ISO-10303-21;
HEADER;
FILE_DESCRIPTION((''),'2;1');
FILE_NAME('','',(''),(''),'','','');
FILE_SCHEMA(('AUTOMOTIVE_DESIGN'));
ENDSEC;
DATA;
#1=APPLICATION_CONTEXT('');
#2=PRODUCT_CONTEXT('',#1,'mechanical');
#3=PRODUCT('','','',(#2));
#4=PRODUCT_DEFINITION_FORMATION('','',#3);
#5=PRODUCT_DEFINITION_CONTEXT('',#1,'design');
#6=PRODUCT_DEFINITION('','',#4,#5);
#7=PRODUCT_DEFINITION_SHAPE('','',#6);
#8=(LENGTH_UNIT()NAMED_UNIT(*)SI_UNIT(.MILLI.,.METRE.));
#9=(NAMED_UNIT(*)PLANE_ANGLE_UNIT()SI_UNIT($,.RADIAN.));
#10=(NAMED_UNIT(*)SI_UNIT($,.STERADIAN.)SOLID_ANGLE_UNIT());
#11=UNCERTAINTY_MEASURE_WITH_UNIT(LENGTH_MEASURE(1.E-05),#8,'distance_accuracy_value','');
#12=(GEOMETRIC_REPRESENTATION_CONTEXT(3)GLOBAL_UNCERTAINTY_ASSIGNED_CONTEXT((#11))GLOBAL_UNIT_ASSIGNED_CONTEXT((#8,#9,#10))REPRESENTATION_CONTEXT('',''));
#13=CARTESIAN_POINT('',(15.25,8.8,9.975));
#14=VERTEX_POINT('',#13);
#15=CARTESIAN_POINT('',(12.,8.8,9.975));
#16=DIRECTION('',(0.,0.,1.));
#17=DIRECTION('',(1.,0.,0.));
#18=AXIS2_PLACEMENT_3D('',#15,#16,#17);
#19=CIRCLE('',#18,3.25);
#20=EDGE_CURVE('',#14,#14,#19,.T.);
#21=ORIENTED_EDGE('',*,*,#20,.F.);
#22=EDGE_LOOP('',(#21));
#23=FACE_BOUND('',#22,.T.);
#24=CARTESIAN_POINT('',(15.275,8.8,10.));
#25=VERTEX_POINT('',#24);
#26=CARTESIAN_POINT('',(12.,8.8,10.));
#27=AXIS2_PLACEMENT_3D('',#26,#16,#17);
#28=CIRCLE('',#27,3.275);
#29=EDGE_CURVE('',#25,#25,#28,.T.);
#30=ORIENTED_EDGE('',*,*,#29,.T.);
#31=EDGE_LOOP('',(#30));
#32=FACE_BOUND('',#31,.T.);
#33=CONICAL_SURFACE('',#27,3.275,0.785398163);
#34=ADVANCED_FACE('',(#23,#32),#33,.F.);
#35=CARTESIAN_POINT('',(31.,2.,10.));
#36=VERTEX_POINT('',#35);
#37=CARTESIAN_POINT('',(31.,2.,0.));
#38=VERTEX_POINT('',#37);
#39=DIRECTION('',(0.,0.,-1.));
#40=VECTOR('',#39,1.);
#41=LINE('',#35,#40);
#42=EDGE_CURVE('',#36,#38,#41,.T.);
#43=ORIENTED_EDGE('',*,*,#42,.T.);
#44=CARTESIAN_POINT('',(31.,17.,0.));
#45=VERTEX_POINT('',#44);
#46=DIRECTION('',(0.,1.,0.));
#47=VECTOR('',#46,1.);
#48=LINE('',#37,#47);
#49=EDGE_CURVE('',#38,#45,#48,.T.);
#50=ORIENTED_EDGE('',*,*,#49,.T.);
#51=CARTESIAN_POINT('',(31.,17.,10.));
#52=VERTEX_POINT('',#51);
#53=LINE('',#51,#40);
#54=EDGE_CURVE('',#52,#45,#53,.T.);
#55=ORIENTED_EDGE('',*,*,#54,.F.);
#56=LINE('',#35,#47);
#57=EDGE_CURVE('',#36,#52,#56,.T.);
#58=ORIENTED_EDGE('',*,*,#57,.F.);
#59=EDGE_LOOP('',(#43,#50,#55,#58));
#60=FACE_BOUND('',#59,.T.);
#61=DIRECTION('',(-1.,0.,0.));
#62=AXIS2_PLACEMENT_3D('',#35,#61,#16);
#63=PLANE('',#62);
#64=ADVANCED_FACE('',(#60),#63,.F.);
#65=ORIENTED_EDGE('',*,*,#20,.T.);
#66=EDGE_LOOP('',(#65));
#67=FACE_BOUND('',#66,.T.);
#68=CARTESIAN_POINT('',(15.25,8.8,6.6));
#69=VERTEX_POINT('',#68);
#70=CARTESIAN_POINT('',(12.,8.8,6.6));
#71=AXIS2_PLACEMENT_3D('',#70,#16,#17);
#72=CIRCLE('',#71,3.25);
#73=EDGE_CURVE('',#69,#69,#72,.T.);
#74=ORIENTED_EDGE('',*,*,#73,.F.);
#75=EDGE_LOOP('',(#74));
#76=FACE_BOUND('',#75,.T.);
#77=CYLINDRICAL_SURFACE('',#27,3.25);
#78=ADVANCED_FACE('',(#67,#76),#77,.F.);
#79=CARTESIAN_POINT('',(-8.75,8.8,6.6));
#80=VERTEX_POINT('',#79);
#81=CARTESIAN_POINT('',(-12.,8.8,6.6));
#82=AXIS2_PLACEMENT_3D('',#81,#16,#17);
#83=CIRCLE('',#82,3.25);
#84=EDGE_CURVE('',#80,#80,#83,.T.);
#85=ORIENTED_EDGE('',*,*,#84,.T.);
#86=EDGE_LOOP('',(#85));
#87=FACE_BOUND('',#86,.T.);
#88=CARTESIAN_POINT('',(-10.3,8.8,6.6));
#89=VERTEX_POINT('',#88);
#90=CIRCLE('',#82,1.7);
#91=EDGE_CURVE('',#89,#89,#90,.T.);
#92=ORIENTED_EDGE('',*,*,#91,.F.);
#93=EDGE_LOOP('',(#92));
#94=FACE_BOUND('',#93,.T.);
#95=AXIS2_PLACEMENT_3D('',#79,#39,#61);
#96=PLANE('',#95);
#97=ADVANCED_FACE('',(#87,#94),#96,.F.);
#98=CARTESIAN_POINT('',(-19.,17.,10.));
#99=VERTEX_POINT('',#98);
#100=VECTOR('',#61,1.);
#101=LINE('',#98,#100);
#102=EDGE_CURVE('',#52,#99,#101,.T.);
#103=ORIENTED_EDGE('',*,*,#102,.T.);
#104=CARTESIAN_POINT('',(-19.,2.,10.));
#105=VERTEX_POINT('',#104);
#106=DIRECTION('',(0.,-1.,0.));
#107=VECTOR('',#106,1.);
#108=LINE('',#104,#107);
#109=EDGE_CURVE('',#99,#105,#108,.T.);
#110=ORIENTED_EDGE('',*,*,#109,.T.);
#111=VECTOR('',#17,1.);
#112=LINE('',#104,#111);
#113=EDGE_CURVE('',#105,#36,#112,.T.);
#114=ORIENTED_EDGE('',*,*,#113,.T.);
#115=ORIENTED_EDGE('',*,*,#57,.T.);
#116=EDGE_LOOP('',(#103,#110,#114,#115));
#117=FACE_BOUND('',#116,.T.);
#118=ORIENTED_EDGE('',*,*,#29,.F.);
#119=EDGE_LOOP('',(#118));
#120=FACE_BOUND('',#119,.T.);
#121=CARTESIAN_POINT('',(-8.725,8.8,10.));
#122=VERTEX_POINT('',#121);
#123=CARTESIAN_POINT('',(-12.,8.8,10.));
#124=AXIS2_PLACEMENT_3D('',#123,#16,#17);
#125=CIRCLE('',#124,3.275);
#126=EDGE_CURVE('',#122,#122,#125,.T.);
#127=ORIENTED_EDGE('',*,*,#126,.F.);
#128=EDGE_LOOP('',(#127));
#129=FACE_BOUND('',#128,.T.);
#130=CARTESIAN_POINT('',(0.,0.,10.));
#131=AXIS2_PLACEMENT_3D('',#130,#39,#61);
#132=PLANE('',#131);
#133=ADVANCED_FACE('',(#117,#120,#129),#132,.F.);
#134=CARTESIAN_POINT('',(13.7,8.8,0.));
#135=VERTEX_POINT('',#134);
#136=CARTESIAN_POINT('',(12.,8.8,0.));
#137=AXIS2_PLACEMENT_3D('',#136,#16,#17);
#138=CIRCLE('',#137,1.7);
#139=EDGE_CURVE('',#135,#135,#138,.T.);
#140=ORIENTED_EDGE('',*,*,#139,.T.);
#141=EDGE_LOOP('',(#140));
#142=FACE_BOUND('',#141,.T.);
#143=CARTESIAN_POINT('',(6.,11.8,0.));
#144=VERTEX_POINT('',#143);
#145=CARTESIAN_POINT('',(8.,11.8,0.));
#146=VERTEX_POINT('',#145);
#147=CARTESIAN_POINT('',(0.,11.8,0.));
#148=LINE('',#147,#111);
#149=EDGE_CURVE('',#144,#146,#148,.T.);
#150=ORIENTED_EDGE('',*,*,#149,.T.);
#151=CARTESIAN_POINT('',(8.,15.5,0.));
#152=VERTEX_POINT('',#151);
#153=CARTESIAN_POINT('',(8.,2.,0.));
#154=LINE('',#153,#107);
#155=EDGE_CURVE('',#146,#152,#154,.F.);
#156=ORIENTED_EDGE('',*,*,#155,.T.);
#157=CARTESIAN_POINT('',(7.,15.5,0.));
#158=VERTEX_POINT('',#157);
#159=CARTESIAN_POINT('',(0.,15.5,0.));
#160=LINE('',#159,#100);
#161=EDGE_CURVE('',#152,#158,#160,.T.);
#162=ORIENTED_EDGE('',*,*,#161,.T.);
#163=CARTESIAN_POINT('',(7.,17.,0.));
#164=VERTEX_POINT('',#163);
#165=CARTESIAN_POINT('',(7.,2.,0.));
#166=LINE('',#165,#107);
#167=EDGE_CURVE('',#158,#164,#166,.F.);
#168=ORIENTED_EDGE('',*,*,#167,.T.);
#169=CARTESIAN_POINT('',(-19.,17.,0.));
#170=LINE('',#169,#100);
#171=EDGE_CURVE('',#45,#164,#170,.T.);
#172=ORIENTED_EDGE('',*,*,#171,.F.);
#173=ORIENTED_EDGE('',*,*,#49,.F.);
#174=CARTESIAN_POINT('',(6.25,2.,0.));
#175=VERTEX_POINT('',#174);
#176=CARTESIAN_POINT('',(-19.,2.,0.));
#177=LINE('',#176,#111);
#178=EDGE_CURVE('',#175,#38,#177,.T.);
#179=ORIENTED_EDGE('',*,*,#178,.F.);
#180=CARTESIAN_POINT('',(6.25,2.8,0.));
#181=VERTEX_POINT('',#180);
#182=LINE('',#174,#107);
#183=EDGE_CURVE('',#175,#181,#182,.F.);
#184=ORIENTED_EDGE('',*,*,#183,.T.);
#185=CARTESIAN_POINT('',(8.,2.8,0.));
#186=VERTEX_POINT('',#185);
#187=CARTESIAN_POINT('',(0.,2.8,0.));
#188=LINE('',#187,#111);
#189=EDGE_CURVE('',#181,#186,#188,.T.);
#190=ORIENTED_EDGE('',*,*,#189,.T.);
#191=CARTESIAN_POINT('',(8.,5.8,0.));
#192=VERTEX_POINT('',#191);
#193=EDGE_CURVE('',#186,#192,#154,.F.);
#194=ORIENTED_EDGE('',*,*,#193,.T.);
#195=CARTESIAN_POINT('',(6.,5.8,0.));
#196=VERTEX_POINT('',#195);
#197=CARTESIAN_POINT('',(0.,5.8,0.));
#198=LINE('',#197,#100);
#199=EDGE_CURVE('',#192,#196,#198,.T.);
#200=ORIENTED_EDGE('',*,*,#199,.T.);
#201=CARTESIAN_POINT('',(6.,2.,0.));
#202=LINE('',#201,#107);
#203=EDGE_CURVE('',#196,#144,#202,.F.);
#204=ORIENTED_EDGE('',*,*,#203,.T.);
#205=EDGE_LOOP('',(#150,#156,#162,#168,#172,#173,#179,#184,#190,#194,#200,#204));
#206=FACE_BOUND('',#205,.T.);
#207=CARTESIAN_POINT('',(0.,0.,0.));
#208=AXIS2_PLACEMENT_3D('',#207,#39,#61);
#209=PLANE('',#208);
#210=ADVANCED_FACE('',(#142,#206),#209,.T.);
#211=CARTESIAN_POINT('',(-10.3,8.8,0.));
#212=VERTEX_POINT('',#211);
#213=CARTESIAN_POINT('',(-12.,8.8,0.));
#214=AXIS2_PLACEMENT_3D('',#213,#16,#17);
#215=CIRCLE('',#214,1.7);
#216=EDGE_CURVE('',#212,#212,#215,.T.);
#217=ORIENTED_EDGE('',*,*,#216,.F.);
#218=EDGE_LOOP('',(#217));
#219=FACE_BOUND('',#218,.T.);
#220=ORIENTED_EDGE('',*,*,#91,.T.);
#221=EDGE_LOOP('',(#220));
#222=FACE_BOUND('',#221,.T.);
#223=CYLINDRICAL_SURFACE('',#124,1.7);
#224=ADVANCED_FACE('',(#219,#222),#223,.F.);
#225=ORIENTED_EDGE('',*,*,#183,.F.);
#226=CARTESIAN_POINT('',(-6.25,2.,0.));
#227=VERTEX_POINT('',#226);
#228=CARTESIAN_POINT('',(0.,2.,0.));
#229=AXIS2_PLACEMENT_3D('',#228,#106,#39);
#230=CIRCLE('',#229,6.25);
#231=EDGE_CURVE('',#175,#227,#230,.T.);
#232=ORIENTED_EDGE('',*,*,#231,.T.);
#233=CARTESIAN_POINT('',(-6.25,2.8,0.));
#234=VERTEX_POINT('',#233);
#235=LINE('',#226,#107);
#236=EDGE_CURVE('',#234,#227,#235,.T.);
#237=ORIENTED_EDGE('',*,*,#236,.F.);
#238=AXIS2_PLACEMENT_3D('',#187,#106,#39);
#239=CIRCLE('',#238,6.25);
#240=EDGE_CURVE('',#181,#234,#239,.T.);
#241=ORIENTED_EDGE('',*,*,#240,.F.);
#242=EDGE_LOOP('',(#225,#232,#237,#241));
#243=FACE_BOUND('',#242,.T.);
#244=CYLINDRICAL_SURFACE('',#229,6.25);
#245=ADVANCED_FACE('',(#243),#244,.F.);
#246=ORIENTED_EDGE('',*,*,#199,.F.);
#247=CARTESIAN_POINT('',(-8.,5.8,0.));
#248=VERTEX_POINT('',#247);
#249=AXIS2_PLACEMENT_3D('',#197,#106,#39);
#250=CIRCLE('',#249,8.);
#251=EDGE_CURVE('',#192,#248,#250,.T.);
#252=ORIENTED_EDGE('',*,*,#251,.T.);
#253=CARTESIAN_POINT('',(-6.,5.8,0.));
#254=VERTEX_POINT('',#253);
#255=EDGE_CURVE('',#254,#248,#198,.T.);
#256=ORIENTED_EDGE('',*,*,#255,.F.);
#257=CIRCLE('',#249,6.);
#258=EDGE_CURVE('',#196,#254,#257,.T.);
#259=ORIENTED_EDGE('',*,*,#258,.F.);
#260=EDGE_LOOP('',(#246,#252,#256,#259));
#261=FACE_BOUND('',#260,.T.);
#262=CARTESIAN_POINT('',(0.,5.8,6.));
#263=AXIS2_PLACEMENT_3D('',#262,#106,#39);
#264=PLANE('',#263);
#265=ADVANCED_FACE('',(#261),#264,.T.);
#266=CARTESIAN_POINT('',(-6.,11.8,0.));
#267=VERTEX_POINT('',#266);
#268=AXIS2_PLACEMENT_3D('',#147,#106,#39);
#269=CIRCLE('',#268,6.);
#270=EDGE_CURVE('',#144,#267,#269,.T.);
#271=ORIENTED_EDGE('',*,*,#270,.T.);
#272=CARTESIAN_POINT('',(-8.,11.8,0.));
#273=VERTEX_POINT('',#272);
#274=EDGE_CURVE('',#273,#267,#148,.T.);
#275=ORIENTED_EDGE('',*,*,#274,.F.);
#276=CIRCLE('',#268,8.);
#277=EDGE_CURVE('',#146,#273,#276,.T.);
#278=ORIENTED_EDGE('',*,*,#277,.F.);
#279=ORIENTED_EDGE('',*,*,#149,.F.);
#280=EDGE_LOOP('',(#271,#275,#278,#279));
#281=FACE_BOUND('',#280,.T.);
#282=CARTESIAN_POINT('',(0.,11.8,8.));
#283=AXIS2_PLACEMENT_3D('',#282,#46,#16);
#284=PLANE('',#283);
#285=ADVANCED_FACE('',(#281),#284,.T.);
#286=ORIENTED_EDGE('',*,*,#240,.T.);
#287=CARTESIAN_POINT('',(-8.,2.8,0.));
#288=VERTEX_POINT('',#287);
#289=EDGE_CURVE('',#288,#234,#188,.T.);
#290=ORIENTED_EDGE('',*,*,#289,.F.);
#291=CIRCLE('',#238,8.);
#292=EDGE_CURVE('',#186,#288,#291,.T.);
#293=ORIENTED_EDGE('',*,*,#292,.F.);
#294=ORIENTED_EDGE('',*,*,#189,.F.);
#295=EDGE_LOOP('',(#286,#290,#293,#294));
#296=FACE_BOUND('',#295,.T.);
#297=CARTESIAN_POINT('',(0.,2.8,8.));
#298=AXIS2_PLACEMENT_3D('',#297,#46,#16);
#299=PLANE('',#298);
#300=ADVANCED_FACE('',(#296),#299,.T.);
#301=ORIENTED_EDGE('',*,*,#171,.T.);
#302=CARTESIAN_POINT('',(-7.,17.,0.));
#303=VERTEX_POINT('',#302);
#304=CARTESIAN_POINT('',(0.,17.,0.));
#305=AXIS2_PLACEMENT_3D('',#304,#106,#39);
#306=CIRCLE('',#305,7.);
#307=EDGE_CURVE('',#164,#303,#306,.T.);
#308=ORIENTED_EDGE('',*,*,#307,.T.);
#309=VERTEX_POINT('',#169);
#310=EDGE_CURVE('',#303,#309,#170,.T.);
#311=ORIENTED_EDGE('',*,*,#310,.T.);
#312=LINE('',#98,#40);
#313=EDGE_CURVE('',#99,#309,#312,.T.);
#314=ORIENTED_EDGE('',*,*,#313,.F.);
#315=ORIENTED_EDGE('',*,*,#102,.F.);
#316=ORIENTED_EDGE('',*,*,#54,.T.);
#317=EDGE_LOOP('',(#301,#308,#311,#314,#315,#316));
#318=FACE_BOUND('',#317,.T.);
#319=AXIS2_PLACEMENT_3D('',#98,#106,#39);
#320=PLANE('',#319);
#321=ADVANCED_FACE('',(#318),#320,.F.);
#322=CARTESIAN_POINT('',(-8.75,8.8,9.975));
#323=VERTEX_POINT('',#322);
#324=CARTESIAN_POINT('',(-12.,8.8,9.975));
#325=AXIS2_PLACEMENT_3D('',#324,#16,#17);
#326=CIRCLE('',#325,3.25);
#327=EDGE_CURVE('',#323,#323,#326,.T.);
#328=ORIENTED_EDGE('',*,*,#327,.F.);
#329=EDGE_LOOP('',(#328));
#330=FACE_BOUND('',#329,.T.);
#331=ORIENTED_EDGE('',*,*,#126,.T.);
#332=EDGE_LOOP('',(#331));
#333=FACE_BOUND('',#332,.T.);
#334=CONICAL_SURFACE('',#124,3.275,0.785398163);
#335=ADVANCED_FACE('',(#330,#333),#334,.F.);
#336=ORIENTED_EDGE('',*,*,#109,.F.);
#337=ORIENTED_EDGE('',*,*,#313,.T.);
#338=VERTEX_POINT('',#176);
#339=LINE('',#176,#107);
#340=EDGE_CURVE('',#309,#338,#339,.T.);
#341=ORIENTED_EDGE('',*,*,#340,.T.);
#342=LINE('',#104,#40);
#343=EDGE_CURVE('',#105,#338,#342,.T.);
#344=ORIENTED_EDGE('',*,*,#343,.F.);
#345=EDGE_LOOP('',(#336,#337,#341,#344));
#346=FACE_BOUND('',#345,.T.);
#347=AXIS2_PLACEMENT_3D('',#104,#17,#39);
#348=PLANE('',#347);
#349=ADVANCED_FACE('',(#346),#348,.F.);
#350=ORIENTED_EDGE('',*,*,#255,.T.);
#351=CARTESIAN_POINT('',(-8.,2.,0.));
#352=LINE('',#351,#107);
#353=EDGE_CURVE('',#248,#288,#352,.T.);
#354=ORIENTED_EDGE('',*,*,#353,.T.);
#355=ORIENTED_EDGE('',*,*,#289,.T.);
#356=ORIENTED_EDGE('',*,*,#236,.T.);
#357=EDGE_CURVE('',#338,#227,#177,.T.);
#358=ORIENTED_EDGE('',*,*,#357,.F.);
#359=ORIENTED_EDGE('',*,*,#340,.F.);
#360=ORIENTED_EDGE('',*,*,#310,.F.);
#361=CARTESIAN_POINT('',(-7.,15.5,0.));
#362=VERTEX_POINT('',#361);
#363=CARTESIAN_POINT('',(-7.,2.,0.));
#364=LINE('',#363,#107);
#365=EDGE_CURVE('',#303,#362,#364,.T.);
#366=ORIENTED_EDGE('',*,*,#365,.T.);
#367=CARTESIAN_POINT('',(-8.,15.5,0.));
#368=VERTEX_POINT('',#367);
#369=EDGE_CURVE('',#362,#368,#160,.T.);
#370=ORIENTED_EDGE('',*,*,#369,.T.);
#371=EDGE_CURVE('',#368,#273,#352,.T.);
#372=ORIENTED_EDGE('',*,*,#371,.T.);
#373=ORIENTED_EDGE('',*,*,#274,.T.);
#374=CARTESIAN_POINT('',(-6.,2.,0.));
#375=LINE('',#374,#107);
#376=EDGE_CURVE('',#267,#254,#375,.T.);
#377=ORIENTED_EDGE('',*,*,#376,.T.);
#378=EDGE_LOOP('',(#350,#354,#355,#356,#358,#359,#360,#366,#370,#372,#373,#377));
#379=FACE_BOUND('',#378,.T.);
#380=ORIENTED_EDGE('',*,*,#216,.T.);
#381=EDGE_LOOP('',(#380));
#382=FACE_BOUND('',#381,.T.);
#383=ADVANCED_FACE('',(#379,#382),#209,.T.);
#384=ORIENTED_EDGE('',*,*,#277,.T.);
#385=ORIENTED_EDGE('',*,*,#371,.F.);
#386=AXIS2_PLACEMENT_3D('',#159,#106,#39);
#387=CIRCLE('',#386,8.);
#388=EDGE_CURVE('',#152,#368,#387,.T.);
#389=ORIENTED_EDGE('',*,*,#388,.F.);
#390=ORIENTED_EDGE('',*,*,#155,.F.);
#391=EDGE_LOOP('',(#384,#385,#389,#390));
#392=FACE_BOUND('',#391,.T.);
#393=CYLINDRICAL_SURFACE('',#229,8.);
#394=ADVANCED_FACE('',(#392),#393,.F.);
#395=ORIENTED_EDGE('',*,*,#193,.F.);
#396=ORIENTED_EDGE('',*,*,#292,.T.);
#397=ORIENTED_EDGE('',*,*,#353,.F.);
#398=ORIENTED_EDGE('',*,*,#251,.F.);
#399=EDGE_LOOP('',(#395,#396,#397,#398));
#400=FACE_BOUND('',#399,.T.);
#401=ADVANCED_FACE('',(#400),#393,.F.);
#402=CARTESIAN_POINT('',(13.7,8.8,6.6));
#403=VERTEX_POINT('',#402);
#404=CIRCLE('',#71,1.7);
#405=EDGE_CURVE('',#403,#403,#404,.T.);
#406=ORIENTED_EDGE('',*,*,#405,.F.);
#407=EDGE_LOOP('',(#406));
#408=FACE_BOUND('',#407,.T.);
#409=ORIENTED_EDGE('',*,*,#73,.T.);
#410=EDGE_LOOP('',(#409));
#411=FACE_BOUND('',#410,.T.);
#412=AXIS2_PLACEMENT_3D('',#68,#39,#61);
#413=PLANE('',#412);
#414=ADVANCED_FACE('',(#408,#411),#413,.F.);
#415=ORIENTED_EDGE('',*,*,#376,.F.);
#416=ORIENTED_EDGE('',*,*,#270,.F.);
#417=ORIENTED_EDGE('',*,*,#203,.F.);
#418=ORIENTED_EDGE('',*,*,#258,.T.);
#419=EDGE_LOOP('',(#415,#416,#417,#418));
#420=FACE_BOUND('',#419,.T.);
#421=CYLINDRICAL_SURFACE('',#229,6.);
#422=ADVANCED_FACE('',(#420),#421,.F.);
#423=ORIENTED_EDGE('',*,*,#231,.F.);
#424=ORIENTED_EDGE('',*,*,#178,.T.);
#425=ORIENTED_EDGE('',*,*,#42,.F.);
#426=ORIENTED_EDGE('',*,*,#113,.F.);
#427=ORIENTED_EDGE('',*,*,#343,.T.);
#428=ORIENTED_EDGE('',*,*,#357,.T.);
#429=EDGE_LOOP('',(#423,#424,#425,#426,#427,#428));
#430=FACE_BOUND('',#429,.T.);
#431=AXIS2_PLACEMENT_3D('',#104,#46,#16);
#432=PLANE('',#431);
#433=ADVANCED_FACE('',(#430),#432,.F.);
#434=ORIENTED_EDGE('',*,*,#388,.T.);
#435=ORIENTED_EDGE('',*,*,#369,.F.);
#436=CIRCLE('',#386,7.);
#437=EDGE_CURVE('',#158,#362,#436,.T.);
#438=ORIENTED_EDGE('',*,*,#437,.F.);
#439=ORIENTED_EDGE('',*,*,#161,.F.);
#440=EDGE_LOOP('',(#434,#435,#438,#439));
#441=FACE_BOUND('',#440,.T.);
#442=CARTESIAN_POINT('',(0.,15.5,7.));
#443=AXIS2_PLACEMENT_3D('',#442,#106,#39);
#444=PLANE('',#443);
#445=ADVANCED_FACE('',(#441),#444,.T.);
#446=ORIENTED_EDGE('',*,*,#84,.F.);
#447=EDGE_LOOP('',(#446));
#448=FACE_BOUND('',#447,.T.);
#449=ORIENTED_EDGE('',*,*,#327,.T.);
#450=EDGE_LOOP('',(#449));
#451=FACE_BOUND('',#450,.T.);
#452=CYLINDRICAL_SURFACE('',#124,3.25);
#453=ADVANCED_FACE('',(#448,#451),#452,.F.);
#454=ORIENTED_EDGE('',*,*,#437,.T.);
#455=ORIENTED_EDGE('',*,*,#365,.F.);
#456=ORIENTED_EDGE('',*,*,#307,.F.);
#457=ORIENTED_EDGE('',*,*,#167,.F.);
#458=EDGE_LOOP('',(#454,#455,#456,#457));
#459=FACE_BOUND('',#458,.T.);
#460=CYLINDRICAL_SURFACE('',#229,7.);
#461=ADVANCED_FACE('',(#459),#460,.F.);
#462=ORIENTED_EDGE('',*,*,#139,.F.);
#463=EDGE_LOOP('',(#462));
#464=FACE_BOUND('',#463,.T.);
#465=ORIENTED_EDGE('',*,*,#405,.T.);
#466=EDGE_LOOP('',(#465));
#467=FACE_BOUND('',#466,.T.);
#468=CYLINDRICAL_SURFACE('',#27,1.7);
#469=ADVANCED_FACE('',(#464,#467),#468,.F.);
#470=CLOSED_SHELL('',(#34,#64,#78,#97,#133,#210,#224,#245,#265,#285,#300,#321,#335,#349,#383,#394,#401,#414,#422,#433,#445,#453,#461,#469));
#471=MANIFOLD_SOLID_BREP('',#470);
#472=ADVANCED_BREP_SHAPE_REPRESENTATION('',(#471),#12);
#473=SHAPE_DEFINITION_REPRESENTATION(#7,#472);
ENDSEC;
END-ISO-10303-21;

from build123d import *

# Parameters (mm, degrees)
SKETCH1_W                                    = 50
SKETCH1_H                                    = 15
BOSS_EXTRUDE1_DEPTH                          = 10
CBORE_FOR_M3_HEX_SOCKET_HEAD_CAP_SCR_2_COUNT = 2
CBORE_FOR_M3_HEX_SOCKET_HEAD_CAP_SCR_2_PITCH = 24


with BuildPart() as part:
    # Sketch1 → Boss-Extrude1 (new body)
    with BuildSketch(Plane.XY):
        with Locations((6, 9.5)):
            Rectangle(SKETCH1_W, SKETCH1_H)
    extrude(amount=BOSS_EXTRUDE1_DEPTH)

    # Sketch2 → Cut-Revolve1 (revolve, cut)
    with BuildSketch(Plane(origin=(0, 0, 0), x_dir=(0, 0, -1), z_dir=(1, 0, 0))):
        Polygon((0, 17), (-7, 17), (-7, 15.5), (-8, 15.5), (-8, 11.8), (-6, 11.8), (-6, 5.8), (-8, 5.8), (-8, 2.8), (-6.25, 2.8), (-6.25, 2), (0, 2), align=None)
    revolve(axis=Axis((0, 2, 0), (0, 1, 0)), mode=Mode.SUBTRACT)

    # Sketch4 → CBORE for M3 Hex Socket Head Cap Screw1 (revolve, cut)
    with BuildSketch(Plane(origin=(-12, 8.8, 10), x_dir=(0, -1, 0), z_dir=(1, 0, 0))):
        Polygon((0, 0), (0, 10), (1.7, 10), (1.7, 3.4), (3.25, 3.4), (3.25, 0.025), (3.275, 0), align=None)
    cbore_for_m3_hex_socket_head_cap_screw1 = revolve(axis=Axis((-12, 8.8, 16.35), (0, 0, -1)), mode=Mode.SUBTRACT)

    # CBORE for M3 Hex Socket Head Cap Scr 2: CBORE for M3 Hex Socket Head Cap Screw1 ×2
    with Locations(*[(i * CBORE_FOR_M3_HEX_SOCKET_HEAD_CAP_SCR_2_PITCH, 0, 0) for i in range(1, CBORE_FOR_M3_HEX_SOCKET_HEAD_CAP_SCR_2_COUNT)]):
        add(cbore_for_m3_hex_socket_head_cap_screw1, mode=Mode.SUBTRACT)


solid = part.part
